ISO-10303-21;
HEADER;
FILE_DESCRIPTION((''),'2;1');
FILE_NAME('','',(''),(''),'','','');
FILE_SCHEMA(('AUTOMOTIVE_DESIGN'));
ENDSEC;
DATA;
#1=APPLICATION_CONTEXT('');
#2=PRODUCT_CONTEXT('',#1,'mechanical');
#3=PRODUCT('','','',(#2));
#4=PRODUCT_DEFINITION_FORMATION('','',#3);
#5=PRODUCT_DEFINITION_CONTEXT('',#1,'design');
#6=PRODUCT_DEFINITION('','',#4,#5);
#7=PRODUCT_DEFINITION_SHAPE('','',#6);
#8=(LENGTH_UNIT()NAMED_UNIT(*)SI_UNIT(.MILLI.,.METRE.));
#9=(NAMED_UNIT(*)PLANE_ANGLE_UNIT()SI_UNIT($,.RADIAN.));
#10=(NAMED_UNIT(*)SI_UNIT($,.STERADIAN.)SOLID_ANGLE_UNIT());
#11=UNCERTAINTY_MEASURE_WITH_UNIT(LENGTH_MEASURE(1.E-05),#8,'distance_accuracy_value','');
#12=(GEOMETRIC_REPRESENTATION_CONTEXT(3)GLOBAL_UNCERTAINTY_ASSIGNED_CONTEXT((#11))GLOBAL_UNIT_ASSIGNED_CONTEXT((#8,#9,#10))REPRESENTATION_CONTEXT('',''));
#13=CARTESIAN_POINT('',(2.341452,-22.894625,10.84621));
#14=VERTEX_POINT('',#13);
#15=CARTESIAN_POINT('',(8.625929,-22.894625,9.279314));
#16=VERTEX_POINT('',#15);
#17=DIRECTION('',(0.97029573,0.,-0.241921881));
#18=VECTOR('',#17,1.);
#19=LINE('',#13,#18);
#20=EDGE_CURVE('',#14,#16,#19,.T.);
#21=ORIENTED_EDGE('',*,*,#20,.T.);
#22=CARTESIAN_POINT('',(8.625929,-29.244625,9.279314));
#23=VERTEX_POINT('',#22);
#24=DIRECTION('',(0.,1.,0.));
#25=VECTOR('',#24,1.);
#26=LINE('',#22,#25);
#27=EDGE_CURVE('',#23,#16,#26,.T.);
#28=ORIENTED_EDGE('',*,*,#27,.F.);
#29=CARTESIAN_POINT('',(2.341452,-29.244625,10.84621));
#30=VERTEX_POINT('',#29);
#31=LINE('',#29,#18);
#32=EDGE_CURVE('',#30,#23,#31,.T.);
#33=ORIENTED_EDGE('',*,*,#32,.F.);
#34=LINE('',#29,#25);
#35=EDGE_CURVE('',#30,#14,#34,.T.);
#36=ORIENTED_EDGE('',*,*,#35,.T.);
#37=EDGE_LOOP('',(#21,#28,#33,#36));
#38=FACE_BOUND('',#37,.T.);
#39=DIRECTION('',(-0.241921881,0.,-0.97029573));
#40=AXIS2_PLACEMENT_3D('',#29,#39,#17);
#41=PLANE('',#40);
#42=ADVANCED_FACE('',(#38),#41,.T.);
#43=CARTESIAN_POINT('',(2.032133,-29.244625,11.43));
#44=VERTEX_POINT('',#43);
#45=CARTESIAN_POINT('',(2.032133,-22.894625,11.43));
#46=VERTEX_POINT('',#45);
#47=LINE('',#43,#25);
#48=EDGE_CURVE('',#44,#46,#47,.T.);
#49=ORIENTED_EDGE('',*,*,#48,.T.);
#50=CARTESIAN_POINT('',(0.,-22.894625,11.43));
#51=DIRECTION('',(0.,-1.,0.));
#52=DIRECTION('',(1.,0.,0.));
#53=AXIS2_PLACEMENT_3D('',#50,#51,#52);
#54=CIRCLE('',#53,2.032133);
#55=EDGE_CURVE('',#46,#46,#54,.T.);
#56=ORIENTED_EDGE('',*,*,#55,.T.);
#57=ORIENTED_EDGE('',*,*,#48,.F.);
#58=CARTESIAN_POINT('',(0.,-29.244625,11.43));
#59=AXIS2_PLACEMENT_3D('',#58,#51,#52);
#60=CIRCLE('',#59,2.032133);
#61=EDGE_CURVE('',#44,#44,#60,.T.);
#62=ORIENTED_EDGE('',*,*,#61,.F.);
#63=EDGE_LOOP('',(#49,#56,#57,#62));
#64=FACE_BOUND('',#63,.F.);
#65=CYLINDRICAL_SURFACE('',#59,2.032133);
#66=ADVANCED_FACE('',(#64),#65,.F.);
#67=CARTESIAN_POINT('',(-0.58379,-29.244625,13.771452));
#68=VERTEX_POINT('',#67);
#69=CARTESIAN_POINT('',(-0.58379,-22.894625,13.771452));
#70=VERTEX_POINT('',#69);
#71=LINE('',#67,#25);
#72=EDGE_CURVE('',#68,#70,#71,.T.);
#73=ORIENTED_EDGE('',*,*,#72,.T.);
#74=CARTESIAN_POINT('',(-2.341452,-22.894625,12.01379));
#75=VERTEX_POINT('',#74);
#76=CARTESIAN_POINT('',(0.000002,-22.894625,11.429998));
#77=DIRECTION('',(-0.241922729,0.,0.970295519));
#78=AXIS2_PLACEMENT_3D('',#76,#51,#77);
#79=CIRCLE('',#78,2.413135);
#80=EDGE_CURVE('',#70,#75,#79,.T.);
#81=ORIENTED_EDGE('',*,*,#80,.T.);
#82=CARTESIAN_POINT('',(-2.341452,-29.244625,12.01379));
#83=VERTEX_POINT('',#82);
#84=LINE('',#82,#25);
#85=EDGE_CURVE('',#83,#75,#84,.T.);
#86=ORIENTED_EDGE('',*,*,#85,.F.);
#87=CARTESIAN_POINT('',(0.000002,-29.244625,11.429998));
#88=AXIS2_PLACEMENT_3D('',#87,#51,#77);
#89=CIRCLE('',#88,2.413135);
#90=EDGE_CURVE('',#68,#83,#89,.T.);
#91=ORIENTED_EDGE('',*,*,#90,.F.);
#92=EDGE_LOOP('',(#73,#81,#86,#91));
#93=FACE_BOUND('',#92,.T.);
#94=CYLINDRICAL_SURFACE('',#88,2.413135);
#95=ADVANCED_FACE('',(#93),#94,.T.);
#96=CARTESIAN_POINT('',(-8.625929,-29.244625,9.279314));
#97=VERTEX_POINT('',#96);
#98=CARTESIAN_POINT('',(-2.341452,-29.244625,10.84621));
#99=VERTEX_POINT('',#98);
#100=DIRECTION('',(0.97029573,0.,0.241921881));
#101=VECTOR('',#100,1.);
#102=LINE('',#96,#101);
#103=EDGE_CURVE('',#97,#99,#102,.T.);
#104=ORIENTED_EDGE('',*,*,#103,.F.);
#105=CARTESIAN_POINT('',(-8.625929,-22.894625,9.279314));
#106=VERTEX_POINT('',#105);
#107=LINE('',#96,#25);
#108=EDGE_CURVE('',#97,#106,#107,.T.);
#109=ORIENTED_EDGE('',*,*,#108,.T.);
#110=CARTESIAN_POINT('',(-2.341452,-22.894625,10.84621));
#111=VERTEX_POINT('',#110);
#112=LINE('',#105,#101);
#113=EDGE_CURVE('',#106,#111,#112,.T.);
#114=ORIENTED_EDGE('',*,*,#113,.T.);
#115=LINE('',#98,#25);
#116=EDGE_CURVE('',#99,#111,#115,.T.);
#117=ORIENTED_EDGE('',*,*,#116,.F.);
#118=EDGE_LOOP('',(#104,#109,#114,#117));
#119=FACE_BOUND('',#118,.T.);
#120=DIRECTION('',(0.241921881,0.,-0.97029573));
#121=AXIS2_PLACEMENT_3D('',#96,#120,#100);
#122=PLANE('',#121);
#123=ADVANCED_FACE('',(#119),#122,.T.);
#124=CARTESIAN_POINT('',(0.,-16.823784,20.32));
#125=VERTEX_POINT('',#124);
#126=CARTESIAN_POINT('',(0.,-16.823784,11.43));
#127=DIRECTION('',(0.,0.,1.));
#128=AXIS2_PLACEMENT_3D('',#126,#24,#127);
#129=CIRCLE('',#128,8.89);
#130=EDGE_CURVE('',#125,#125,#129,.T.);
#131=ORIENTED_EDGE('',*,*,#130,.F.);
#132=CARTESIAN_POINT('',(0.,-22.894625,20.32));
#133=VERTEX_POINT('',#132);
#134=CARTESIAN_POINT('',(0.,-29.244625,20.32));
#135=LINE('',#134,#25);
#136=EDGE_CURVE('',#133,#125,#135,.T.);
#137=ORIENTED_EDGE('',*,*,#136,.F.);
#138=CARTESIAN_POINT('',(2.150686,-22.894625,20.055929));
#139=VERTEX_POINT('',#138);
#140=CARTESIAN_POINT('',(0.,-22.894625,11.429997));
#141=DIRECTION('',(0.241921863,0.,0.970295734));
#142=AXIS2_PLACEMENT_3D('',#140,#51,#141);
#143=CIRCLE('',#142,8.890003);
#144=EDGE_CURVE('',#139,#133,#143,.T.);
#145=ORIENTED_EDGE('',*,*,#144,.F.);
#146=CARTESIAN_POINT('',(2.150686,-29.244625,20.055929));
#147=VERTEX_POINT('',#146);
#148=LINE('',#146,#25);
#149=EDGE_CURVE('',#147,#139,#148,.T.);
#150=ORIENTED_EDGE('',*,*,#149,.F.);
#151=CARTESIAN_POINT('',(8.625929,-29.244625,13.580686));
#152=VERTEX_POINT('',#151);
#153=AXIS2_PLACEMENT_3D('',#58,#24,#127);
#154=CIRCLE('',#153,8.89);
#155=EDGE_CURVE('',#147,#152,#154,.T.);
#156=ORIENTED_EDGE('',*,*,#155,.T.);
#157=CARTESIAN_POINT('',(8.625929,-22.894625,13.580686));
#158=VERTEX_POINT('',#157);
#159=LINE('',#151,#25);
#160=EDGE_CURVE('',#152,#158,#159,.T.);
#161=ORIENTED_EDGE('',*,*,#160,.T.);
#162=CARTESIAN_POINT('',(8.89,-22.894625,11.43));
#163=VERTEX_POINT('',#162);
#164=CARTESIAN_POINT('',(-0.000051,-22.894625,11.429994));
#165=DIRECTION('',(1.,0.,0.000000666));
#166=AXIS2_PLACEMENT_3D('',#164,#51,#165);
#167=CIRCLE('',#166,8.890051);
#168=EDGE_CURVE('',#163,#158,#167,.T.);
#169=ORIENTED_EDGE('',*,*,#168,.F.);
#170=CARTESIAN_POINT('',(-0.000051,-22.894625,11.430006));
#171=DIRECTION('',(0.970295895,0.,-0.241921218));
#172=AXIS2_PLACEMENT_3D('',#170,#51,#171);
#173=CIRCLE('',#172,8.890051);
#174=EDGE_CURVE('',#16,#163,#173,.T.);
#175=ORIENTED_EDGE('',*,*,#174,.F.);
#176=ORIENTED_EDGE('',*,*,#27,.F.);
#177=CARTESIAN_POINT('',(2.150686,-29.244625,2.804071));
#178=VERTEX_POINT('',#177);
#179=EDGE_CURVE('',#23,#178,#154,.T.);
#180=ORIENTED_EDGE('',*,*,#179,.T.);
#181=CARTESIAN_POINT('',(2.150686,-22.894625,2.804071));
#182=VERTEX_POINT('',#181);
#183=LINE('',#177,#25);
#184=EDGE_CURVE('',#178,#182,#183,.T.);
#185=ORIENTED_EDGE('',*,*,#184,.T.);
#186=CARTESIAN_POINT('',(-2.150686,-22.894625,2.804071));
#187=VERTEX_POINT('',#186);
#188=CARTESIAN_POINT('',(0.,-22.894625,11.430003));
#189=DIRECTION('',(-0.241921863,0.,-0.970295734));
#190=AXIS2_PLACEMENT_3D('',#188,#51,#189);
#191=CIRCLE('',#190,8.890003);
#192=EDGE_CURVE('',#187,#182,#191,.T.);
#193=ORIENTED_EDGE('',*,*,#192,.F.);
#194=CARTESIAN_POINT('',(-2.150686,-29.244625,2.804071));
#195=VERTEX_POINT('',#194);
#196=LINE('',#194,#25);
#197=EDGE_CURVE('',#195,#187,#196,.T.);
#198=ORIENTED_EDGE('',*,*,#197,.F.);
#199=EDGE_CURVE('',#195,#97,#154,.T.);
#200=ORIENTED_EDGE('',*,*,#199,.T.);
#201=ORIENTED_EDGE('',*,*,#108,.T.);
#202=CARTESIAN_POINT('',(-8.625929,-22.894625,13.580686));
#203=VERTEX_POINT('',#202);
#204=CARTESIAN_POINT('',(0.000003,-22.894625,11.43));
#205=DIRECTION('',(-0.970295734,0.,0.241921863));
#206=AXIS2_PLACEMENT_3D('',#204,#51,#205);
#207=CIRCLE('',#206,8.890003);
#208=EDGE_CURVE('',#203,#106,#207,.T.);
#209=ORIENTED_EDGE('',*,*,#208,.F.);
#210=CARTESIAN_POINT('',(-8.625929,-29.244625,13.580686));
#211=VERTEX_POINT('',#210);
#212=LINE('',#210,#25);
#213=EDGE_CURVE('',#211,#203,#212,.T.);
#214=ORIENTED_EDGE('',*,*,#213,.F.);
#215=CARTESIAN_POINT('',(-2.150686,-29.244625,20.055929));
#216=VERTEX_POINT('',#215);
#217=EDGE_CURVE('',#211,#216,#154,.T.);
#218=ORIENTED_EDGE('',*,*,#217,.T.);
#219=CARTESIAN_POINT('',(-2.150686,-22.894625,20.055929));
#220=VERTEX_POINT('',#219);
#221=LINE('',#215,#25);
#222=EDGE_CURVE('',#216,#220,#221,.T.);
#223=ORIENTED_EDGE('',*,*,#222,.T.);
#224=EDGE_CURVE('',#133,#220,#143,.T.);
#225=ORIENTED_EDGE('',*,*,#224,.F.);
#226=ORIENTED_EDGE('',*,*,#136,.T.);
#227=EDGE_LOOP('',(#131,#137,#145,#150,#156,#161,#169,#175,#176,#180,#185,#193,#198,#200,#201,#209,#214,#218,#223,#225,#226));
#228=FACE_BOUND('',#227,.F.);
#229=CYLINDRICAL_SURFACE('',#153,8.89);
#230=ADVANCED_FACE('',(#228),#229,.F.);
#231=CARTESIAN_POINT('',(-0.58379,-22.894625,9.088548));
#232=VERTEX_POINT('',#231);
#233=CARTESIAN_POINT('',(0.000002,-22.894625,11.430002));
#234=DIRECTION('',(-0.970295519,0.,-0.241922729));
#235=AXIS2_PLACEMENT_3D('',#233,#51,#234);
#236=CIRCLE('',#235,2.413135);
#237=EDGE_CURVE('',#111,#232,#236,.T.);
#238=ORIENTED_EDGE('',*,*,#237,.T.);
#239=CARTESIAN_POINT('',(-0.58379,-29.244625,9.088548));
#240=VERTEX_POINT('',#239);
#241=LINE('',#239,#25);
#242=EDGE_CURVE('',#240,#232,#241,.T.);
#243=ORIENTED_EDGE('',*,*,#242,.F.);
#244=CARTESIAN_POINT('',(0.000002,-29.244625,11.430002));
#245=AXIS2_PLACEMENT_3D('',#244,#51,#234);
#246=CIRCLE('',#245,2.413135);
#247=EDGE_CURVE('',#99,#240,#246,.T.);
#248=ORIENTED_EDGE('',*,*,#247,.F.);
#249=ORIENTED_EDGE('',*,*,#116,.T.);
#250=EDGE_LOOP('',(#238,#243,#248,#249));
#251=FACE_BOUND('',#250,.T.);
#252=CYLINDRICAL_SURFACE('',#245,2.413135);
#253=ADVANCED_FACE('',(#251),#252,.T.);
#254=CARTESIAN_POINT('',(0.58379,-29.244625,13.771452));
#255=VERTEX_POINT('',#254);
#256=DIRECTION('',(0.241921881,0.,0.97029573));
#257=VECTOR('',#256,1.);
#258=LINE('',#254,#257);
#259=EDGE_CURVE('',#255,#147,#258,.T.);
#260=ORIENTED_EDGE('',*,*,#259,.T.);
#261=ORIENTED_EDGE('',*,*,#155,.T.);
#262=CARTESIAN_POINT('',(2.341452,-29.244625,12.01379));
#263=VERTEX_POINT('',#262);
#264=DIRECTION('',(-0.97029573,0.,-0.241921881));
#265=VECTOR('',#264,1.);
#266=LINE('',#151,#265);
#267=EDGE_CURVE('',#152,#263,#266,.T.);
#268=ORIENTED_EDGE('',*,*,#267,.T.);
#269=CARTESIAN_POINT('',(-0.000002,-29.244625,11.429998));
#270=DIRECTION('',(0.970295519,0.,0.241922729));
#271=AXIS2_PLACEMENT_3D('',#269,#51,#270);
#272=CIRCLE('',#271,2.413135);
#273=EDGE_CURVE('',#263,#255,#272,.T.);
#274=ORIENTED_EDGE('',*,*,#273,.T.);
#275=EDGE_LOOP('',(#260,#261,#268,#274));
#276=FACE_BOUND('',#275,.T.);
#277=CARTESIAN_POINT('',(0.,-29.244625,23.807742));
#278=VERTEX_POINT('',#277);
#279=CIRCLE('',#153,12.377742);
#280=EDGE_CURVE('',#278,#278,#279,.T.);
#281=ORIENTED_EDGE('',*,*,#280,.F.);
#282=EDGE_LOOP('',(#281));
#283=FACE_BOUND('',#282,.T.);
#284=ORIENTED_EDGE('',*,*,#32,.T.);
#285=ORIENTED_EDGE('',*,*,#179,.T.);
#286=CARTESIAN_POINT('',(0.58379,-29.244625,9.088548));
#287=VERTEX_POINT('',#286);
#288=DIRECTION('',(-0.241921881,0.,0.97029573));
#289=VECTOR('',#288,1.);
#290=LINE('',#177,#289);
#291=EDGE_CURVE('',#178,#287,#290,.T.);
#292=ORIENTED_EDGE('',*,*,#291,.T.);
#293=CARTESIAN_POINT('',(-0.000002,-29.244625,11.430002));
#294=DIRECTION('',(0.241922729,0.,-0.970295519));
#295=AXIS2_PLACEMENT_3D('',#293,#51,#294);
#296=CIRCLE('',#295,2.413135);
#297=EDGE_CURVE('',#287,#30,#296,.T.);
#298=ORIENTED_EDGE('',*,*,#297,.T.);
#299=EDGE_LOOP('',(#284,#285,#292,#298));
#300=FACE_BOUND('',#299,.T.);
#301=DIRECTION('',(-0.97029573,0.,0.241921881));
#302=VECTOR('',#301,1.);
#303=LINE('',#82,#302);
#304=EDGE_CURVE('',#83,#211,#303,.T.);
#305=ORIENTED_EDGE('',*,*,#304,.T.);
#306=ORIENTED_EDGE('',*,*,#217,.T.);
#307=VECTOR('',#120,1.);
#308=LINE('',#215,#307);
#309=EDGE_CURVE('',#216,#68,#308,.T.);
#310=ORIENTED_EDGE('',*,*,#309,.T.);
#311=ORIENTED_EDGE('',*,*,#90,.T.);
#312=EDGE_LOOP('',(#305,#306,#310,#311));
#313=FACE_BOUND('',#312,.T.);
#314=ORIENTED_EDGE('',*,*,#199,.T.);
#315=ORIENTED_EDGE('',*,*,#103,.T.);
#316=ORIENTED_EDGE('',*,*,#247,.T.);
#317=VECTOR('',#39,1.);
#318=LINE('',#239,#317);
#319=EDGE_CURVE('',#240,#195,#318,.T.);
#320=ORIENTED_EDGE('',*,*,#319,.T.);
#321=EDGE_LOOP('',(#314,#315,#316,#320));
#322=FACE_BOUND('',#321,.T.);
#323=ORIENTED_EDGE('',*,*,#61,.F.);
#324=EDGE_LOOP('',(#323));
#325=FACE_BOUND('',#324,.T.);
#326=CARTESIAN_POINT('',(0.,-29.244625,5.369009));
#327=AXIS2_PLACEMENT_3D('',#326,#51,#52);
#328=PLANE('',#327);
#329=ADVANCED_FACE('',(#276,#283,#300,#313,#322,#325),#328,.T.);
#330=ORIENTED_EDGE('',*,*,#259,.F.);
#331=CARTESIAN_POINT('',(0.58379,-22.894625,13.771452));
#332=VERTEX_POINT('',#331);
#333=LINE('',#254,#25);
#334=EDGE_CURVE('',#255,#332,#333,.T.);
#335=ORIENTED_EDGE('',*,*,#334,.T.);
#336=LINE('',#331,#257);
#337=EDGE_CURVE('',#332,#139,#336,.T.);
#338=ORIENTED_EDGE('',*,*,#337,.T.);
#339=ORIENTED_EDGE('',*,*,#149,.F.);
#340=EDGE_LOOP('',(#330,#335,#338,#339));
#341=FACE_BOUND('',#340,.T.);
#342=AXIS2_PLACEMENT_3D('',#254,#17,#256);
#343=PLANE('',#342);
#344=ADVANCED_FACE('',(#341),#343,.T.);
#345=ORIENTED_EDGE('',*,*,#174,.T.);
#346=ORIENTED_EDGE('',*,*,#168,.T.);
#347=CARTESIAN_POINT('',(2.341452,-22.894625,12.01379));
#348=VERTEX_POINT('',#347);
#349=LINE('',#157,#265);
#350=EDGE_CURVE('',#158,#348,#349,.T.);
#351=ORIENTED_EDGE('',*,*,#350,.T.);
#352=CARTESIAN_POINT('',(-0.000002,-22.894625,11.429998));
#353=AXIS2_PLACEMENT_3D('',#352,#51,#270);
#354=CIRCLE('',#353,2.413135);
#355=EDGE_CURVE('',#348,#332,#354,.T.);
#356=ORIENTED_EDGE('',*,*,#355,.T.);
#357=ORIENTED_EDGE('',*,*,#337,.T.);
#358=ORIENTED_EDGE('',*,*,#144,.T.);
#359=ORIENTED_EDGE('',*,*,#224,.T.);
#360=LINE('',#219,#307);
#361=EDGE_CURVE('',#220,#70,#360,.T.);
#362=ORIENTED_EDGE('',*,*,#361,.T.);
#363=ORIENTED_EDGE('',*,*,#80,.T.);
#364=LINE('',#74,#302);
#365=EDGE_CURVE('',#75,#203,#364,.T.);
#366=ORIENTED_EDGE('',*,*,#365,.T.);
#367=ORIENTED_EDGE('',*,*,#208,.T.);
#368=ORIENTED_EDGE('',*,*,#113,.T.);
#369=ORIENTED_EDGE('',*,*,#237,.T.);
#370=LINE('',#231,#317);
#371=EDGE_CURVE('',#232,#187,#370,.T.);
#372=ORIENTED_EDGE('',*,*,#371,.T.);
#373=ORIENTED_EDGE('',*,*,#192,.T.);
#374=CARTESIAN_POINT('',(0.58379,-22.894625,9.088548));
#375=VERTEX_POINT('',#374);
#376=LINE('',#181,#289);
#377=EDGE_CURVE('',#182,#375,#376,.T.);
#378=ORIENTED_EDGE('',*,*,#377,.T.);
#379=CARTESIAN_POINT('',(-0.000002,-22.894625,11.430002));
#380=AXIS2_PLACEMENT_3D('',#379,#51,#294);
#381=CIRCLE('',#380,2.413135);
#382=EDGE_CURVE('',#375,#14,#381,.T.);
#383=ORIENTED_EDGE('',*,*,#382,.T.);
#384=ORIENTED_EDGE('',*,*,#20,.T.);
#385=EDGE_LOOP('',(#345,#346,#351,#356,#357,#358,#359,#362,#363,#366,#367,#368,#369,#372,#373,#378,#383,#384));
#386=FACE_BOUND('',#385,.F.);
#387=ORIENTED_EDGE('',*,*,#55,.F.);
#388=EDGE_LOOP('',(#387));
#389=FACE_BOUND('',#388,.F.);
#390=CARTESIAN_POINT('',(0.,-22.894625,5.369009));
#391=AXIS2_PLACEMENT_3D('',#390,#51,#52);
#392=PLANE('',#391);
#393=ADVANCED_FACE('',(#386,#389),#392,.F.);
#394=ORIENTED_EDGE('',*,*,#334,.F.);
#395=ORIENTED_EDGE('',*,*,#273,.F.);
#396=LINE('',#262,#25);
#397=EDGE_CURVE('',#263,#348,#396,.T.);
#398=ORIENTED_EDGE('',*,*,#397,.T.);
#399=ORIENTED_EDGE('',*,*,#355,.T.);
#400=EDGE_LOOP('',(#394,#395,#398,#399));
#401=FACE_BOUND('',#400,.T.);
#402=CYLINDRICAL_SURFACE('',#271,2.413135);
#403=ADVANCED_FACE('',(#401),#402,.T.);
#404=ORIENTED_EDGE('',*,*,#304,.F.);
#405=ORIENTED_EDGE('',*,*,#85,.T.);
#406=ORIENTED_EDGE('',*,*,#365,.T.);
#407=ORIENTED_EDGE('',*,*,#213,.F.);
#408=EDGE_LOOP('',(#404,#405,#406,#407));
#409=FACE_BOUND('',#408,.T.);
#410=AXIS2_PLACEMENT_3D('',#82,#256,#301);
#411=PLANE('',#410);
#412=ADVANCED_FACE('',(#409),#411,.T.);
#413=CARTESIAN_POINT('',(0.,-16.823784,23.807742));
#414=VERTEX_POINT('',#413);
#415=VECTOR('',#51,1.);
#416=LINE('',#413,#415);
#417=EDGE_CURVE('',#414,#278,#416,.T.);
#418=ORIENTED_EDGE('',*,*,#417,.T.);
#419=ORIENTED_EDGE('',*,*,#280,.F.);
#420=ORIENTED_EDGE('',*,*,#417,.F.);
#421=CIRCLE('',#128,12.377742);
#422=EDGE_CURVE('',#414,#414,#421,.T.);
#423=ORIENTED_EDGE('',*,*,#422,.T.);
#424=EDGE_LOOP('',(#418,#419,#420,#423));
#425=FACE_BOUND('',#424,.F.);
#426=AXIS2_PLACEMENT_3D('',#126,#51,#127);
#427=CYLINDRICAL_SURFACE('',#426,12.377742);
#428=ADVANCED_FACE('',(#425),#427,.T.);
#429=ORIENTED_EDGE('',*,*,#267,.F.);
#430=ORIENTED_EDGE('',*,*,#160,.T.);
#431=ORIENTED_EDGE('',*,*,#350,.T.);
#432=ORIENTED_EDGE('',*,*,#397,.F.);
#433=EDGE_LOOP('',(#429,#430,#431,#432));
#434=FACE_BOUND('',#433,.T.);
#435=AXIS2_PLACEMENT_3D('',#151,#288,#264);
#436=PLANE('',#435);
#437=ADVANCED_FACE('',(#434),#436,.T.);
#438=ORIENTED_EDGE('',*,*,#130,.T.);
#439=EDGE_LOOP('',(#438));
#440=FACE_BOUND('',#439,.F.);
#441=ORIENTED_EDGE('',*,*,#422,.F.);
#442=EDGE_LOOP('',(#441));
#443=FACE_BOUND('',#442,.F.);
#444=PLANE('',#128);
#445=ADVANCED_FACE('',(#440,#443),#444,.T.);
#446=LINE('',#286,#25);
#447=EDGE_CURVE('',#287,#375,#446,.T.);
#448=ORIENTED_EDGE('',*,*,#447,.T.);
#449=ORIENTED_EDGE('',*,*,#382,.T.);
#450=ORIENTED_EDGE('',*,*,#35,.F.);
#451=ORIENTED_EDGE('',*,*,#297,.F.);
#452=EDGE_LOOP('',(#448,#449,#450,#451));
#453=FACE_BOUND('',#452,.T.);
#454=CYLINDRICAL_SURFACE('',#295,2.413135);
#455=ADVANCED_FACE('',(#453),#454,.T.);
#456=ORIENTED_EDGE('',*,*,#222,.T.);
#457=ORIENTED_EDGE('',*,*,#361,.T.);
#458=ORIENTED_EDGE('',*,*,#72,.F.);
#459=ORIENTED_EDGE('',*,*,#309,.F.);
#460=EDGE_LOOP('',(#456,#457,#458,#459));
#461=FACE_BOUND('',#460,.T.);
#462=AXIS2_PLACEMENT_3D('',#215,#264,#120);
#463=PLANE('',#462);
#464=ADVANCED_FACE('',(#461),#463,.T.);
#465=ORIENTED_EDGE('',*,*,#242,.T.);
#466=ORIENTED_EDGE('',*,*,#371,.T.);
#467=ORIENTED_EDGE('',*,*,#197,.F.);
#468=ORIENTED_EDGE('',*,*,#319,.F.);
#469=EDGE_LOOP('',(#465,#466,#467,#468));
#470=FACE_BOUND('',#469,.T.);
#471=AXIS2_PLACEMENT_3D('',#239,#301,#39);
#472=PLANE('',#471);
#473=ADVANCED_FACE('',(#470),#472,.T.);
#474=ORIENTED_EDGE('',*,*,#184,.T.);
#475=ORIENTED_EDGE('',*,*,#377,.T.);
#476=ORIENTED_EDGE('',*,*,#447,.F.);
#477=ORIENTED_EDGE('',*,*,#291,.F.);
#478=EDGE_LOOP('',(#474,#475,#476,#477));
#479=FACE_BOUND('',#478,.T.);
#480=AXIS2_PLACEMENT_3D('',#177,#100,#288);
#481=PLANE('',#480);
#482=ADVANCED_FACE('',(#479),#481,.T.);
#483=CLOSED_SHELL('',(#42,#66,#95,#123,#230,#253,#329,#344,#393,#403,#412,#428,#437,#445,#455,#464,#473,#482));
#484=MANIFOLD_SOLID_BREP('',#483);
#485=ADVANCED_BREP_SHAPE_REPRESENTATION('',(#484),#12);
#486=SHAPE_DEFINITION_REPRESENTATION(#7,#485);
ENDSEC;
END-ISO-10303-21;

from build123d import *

# Parameters (mm, degrees)
F2_R     = 2.032133
F3_DEPTH = 6.35


with BuildPart() as f1:
    # F0 (on Right) → F1 (revolve)
    with BuildSketch(Plane.YZ):
        Polygon((-29.244625, 23.807742), (-29.244625, 22.225), (-29.244625, 20.32), (-16.823784, 20.32), (-16.823784, 22.225), (-16.823784, 23.807742), align=None)
    revolve(axis=Axis((0, -22.716704, 11.43), (0, 1, 0)))

    # F2 (on face) → F3 (join)
    with BuildSketch(Plane.XZ.offset(29.244625)):
        with BuildLine():
            ThreePointArc((0.58379, 9.088548), (0, 9.016867), (-0.58379, 9.088548))
            Line((-0.58379, 9.088548), (-2.150686, 2.804071))
            ThreePointArc((-2.150686, 2.804071), (0, 2.54), (2.150686, 2.804071))
            Line((2.150686, 2.804071), (0.58379, 9.088548))
        make_face()
        with BuildLine():
            ThreePointArc((-2.341452, 10.84621), (-2.413133, 11.43), (-2.341452, 12.01379))
            Line((-2.341452, 12.01379), (-8.625929, 13.580686))
            ThreePointArc((-8.625929, 13.580686), (-8.89, 11.43), (-8.625929, 9.279314))
            Line((-8.625929, 9.279314), (-2.341452, 10.84621))
        make_face()
        with BuildLine():
            Line((-2.150686, 20.055929), (-0.58379, 13.771452))
            ThreePointArc((-0.58379, 13.771452), (0, 13.843133), (0.58379, 13.771452))
            Line((0.58379, 13.771452), (2.150686, 20.055929))
            ThreePointArc((2.150686, 20.055929), (0, 20.32), (-2.150686, 20.055929))
        make_face()
        with BuildLine():
            Line((8.625929, 13.580686), (2.341452, 12.01379))
            ThreePointArc((2.341452, 12.01379), (2.395146, 11.724087), (2.413133, 11.43))
            ThreePointArc((2.413133, 11.43), (2.395146, 11.135913), (2.341452, 10.84621))
            Line((2.341452, 10.84621), (8.625929, 9.279314))
            ThreePointArc((8.625929, 9.279314), (8.823735, 10.346582), (8.89, 11.43))
            ThreePointArc((8.89, 11.43), (8.823735, 12.513418), (8.625929, 13.580686))
        make_face()
        with BuildLine():
            ThreePointArc((0.58379, 13.771452), (0, 13.843133), (-0.58379, 13.771452))
            ThreePointArc((-0.58379, 13.771452), (-1.706342, 13.136342), (-2.341452, 12.01379))
            ThreePointArc((-2.341452, 12.01379), (-2.413133, 11.43), (-2.341452, 10.84621))
            ThreePointArc((-2.341452, 10.84621), (-1.706342, 9.723658), (-0.58379, 9.088548))
            ThreePointArc((-0.58379, 9.088548), (0, 9.016867), (0.58379, 9.088548))
            ThreePointArc((0.58379, 9.088548), (1.706342, 9.723658), (2.341452, 10.84621))
            ThreePointArc((2.341452, 10.84621), (2.395146, 11.135913), (2.413133, 11.43))
            ThreePointArc((2.413133, 11.43), (2.395146, 11.724087), (2.341452, 12.01379))
            ThreePointArc((2.341452, 12.01379), (1.706342, 13.136342), (0.58379, 13.771452))
        make_face()
        with Locations((0, 11.43)):
            Circle(F2_R, mode=Mode.SUBTRACT)
    extrude(amount=-F3_DEPTH)


solid = f1.part
